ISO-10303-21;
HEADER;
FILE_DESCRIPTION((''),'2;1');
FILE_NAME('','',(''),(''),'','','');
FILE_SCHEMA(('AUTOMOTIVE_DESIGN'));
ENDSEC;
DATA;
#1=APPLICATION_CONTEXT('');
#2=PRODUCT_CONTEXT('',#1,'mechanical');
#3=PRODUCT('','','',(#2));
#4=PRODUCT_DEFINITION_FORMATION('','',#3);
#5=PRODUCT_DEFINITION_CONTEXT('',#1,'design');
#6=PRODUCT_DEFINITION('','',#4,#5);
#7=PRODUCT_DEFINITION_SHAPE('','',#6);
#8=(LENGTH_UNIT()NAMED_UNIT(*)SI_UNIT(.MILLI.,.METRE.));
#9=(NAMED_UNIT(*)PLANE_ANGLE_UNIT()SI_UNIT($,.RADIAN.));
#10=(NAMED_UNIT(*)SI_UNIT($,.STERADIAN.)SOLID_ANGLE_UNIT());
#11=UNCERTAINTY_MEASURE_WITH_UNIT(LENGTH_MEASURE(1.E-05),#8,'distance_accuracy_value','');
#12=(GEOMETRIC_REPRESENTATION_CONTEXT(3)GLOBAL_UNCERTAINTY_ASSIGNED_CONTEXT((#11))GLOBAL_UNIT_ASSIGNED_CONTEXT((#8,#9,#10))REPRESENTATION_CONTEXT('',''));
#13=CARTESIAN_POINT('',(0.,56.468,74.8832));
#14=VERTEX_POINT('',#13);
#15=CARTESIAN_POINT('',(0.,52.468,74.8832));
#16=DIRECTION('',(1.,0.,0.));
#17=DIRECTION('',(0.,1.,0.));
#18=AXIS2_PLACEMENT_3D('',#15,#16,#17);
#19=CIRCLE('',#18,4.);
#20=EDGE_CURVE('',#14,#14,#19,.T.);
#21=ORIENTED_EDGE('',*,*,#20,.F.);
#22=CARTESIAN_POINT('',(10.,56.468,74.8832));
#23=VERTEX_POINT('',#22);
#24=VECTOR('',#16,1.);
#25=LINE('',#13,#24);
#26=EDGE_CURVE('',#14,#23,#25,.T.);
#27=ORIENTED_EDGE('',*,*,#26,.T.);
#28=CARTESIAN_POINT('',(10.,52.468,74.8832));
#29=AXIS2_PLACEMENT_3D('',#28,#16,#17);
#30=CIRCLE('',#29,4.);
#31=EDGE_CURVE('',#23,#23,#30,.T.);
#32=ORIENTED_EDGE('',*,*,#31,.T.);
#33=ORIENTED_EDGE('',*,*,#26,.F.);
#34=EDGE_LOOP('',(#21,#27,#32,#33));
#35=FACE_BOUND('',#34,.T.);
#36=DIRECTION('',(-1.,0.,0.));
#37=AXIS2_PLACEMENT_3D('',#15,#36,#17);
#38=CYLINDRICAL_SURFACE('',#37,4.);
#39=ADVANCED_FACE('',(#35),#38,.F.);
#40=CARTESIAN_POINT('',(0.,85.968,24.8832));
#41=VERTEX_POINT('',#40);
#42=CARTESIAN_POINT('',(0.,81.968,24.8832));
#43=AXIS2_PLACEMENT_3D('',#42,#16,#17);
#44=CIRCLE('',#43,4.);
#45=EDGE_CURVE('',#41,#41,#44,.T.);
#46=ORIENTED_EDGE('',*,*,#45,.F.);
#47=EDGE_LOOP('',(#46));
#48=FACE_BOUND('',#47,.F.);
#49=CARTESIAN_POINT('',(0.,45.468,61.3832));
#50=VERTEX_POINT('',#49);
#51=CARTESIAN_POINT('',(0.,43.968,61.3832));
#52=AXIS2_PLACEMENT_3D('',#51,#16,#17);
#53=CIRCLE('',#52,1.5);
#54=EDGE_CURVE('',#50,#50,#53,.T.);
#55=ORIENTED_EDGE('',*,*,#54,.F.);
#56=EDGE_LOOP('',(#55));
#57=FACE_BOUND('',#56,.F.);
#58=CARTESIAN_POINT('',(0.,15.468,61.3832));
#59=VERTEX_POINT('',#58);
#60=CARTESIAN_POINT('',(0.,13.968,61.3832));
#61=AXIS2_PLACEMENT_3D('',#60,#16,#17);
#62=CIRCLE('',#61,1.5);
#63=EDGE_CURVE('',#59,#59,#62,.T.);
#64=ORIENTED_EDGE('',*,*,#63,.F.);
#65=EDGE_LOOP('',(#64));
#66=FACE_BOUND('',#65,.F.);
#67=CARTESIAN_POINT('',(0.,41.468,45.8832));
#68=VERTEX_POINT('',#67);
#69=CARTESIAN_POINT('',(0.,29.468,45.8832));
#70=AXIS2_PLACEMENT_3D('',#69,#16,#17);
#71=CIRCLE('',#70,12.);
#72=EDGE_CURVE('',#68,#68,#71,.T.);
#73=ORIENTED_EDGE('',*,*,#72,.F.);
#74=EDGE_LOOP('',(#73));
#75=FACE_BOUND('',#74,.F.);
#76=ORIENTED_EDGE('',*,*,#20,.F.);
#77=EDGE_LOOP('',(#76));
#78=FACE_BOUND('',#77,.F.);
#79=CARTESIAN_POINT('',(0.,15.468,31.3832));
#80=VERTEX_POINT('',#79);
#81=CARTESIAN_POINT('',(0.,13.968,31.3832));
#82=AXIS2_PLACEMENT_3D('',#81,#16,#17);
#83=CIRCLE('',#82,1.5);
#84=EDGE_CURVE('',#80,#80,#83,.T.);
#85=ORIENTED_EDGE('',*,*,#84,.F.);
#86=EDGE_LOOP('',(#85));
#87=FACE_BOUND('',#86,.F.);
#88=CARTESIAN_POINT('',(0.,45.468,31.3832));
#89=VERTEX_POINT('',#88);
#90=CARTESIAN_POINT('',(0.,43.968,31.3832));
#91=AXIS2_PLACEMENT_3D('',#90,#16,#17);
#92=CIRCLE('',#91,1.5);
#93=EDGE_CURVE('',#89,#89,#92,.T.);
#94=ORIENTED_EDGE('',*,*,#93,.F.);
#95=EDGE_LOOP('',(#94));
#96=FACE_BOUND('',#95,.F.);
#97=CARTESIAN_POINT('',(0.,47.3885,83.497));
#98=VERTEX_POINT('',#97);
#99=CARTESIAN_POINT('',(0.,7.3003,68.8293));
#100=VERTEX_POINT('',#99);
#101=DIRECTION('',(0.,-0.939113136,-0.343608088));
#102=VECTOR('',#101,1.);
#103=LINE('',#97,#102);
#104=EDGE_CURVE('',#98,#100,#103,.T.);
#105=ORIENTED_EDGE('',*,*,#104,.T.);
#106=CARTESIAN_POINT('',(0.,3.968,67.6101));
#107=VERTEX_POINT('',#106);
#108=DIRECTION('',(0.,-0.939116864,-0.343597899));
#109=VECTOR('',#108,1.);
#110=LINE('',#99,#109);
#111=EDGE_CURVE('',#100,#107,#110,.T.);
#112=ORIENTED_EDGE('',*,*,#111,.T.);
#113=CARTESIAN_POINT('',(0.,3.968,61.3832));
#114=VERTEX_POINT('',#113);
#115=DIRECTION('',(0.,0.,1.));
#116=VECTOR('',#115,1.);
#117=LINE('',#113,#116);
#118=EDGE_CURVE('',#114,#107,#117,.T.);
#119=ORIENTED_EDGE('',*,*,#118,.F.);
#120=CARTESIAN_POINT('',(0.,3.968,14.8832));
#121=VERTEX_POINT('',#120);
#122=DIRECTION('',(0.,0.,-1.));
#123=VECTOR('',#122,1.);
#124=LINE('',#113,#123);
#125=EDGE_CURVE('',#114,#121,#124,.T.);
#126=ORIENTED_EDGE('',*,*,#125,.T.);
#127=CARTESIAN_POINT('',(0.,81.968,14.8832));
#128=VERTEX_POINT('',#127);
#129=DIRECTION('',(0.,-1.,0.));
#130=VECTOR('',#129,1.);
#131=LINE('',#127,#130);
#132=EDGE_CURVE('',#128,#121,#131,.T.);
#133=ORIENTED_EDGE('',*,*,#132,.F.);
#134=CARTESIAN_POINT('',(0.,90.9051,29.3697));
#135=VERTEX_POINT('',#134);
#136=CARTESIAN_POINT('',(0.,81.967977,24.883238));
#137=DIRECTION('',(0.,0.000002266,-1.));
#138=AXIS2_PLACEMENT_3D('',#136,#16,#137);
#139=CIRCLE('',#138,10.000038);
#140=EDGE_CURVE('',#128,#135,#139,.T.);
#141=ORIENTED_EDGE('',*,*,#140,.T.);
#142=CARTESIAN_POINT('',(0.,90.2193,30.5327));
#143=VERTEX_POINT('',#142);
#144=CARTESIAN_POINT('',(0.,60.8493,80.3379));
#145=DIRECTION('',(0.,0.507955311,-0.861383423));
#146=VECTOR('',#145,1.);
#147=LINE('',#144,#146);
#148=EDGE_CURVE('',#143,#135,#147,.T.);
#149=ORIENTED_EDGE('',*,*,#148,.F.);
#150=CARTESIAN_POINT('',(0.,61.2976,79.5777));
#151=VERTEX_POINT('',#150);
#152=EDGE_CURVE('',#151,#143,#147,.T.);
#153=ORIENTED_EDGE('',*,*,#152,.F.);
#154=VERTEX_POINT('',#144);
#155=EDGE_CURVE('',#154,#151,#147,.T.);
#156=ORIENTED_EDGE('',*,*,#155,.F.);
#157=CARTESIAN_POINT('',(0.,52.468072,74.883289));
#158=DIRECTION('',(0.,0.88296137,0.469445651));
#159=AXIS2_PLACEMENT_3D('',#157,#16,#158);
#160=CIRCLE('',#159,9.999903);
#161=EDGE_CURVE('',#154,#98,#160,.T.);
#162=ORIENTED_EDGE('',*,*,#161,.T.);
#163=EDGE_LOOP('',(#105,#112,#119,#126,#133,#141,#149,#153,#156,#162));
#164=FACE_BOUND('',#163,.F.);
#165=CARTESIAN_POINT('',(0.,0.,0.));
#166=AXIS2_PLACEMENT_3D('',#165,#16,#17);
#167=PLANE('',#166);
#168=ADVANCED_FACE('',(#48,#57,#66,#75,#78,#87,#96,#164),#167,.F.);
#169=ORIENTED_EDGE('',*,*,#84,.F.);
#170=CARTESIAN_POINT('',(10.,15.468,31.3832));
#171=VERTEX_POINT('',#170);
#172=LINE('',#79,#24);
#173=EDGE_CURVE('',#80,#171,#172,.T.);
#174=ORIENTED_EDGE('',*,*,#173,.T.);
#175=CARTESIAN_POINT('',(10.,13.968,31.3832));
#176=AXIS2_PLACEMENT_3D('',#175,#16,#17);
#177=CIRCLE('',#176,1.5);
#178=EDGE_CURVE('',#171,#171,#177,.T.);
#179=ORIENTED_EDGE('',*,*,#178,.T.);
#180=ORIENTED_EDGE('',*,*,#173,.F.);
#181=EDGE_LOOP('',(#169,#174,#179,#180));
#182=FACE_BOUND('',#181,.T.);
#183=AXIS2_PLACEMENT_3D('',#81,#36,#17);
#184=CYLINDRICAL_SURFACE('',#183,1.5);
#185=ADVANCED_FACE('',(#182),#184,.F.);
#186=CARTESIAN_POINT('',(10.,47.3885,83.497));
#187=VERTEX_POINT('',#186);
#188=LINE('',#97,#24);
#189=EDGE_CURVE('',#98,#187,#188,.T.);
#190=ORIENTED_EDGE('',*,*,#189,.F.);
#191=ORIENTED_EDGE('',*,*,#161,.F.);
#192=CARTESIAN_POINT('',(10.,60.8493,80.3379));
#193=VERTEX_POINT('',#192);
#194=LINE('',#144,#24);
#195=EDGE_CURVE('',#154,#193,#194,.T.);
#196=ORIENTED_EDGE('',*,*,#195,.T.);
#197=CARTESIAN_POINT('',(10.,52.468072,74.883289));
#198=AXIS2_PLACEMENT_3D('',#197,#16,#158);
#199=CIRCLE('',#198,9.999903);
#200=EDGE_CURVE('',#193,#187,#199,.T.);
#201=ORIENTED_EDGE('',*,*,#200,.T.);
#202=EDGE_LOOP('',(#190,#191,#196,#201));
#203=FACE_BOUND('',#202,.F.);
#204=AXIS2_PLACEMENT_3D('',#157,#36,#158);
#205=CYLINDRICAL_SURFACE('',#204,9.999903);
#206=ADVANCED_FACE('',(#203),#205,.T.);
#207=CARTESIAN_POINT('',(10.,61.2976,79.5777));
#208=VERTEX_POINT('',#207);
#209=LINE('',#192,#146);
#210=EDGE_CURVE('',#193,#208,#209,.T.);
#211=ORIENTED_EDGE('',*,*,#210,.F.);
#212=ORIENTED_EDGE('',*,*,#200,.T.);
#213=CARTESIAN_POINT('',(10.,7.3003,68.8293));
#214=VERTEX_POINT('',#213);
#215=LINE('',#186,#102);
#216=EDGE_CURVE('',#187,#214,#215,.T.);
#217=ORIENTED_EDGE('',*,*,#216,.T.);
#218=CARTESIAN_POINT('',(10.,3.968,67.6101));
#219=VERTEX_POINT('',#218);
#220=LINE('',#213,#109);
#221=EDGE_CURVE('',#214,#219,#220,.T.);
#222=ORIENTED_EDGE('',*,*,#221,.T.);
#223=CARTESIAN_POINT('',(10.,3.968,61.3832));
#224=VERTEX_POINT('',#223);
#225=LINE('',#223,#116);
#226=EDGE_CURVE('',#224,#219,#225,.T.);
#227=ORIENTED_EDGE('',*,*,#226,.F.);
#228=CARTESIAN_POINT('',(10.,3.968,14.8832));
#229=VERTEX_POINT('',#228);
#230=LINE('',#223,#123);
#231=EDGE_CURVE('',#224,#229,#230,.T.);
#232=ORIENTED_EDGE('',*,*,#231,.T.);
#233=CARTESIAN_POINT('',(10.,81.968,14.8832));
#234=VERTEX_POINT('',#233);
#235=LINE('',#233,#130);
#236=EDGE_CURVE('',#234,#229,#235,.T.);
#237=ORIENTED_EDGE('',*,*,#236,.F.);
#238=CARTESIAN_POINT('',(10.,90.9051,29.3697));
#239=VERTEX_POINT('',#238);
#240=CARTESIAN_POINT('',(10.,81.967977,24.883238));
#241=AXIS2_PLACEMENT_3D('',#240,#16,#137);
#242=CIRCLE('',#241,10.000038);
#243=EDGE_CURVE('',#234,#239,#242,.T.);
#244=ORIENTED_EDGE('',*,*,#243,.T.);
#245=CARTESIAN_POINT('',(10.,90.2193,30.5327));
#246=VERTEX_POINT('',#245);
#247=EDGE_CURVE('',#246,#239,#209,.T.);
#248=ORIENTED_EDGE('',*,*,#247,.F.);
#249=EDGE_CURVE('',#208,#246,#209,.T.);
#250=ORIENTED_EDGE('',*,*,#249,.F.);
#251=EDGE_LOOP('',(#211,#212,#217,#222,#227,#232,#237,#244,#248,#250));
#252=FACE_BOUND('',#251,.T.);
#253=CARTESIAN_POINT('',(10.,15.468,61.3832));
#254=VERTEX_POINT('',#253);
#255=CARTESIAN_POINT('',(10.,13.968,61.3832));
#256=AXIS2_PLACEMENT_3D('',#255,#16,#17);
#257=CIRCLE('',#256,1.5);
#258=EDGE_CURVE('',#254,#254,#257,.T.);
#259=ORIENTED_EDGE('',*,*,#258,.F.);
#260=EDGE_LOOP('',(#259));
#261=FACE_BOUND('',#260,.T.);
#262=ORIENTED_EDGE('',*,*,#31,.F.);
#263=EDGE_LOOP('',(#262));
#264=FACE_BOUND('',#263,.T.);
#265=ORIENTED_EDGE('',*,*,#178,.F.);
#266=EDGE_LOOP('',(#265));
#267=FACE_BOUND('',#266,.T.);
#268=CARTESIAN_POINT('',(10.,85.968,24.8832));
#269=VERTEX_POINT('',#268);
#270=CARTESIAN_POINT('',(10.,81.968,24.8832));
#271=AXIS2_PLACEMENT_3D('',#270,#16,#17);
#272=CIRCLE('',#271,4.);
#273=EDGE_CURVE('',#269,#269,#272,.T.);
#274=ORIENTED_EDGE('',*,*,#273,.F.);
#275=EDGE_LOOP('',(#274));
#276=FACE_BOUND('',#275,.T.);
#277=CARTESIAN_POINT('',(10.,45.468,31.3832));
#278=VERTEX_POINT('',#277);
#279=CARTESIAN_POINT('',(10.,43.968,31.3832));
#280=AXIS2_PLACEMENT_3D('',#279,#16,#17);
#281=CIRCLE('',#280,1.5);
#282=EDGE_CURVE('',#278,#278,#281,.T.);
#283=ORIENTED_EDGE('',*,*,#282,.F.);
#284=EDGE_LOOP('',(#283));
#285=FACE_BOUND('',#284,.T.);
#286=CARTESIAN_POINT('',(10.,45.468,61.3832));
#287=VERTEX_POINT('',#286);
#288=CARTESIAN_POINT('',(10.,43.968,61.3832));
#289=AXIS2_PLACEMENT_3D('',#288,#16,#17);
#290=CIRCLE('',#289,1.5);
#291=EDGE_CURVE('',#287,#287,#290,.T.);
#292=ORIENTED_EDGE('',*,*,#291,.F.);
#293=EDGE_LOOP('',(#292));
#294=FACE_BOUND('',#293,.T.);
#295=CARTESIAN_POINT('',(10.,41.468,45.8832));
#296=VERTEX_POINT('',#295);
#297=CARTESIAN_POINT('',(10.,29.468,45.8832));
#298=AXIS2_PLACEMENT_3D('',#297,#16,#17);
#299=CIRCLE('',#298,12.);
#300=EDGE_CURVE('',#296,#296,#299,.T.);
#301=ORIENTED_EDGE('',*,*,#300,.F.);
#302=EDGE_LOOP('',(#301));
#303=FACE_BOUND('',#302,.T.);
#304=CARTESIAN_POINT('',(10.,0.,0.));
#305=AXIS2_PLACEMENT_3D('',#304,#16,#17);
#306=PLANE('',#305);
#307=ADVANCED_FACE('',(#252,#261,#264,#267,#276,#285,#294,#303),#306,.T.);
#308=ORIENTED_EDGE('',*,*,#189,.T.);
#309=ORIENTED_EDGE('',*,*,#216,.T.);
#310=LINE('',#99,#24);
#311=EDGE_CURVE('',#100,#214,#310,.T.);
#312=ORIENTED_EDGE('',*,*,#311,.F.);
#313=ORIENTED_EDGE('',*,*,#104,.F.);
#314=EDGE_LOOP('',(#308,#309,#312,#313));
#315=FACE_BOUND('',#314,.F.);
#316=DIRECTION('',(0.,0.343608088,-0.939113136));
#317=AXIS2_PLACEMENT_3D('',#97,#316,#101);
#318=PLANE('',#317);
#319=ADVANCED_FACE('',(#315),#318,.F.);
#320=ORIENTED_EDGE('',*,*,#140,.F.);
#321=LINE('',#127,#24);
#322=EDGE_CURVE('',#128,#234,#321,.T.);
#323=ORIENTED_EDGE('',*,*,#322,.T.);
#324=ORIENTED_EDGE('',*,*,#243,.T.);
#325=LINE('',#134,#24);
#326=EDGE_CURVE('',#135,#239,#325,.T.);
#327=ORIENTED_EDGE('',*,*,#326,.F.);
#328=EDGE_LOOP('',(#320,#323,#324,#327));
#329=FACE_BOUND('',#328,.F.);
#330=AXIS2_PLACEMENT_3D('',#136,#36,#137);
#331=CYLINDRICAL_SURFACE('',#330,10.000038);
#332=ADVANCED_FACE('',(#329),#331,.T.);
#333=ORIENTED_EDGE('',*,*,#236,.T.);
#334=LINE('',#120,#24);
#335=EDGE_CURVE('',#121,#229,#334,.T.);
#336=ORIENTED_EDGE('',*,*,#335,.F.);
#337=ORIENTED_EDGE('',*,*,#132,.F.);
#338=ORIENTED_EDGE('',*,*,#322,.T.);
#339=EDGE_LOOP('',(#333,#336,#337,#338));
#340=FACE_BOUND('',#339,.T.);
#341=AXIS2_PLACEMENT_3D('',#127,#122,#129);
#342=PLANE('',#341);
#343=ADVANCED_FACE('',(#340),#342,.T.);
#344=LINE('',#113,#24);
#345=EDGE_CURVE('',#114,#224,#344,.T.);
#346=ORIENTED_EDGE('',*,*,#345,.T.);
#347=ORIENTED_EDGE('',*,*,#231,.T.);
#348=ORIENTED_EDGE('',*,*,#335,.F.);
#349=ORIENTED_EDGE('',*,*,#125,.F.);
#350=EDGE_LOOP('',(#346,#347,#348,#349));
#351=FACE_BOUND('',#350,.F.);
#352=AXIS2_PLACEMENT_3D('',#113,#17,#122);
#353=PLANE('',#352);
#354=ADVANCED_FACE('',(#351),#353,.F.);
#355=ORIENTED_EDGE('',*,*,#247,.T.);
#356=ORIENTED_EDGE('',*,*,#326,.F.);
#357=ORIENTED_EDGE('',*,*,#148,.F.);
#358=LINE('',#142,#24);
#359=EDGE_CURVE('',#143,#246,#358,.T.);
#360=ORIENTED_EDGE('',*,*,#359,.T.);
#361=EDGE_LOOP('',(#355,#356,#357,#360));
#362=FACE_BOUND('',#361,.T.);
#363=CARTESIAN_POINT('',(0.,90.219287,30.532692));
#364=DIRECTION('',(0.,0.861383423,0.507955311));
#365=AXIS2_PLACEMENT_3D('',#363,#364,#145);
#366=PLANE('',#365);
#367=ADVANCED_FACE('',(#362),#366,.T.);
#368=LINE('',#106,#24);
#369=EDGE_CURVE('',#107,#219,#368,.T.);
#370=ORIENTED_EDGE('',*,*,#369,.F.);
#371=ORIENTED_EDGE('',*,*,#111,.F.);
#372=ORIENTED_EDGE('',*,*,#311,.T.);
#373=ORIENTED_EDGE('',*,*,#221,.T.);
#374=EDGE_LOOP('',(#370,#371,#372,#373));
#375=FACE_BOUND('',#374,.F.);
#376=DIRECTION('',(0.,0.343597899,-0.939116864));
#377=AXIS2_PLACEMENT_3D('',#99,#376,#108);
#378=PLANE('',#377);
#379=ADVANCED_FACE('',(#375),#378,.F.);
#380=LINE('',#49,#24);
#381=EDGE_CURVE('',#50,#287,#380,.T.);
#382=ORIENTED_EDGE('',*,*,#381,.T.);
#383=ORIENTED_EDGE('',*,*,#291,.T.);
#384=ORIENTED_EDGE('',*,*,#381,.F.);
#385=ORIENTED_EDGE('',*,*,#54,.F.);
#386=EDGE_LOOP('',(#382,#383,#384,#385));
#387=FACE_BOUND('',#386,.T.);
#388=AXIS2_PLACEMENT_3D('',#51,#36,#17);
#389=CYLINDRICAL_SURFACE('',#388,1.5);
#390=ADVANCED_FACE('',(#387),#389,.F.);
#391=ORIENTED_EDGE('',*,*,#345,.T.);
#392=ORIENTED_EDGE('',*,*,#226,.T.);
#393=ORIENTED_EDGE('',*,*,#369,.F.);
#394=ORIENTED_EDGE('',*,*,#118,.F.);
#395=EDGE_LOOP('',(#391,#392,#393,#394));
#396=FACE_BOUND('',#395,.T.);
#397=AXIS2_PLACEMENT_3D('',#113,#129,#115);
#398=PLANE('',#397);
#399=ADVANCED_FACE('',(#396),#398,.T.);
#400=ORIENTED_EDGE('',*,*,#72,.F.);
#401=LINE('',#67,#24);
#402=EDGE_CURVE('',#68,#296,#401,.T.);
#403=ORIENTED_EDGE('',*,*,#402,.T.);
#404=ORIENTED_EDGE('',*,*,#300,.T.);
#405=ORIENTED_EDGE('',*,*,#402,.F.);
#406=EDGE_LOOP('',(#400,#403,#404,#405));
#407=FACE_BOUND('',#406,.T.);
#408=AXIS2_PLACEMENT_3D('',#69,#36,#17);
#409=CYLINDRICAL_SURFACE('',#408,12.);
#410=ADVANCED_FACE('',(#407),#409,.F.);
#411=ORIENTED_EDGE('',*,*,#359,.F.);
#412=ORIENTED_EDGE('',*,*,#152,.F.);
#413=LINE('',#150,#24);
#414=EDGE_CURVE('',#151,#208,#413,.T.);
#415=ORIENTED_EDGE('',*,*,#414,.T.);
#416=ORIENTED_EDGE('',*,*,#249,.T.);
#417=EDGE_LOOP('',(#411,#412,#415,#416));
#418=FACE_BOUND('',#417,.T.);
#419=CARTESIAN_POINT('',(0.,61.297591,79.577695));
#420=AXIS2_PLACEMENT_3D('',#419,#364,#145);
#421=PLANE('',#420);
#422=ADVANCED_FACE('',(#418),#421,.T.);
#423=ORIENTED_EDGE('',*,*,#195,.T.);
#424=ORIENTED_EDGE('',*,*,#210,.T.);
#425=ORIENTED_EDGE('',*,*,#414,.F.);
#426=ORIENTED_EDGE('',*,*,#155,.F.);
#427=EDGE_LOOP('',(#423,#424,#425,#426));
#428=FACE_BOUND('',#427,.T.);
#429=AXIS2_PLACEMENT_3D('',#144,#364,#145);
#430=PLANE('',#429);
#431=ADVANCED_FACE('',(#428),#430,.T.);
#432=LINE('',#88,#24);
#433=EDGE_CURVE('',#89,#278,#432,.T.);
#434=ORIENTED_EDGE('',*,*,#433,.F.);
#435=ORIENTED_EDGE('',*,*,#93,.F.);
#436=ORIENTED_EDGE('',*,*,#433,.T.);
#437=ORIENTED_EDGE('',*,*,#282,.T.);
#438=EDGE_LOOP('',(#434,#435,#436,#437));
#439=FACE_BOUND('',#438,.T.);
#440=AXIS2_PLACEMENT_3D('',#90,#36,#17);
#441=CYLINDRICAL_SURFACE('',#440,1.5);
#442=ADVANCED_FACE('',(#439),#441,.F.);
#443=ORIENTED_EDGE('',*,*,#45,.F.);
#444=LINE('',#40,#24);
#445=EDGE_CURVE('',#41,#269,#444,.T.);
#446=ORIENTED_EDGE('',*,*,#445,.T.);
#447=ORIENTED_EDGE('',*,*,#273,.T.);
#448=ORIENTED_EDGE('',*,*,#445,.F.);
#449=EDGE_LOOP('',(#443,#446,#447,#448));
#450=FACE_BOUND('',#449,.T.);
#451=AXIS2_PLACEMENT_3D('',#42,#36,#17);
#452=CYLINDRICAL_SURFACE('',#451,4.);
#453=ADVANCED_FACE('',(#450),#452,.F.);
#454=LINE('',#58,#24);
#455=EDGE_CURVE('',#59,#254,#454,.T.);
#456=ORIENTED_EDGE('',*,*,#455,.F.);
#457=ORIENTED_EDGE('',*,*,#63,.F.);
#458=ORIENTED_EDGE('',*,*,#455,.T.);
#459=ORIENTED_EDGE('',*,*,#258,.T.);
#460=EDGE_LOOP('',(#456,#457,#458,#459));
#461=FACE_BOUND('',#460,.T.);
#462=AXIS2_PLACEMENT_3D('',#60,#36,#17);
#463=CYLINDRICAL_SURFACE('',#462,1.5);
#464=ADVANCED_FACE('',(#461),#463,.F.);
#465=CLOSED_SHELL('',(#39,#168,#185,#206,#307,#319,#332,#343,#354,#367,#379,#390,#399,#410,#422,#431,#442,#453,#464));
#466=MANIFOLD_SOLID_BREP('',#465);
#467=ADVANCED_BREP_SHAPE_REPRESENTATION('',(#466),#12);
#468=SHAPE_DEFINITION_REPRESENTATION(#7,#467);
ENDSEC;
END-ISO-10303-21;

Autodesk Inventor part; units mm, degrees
ref_plane "YZ Plane" through (0, 0, 0) normal (1, 0, 0) x (0, 1, 0)
ref_plane "XZ Plane" through (0, 0, 0) normal (0, 1, 0) x (-1, 0, 0)
ref_plane "XY Plane" through (0, 0, 0) normal (0, 0, 1) x (1, 0, 0)
sketch "Sketch1" plane through (0, 0, 0) normal (1, 0, 0) x (0, 1, 0)
  circle A0 centre (52.468, 74.8832) radius 4
  circle A1 centre (81.968, 24.8832) radius 4
  circle A2 centre (29.468, 45.8832) radius 12
  circle A3 centre (13.968, 61.3832) radius 1.5
  circle A4 centre (43.968, 61.3832) radius 1.5
  circle A5 centre (43.968, 31.3832) radius 1.5
  circle A6 centre (13.968, 31.3832) radius 1.5
  arc A7 (61.2976, 79.5777) -> (47.3885, 83.497) centre (52.468, 74.8832) ccw
  arc A8 (81.968, 14.8832) -> (90.2193, 30.5327) centre (81.968, 24.8832) ccw
  line L0 (60.8493, 80.3379) -> (90.9051, 29.3697)
  line L1 (47.3885, 83.497) -> (7.3003, 68.8293)
  line L2 (3.968, 61.3832) -> (3.968, 67.6101)
  line L3 (7.3003, 68.8293) -> (3.968, 67.6101)
  line L4 (3.968, 61.3832) -> (3.968, 14.8832)
  line L5 (81.968, 14.8832) -> (3.968, 14.8832)
  point P0 (0, 0)
extrude "Extrusion1" add sketch "Sketch1" along normal blind 10 contours L0 A8 L5 L4 L2 L3 L1 A7
properties part number "Y_MotorMount" material "Birch"
